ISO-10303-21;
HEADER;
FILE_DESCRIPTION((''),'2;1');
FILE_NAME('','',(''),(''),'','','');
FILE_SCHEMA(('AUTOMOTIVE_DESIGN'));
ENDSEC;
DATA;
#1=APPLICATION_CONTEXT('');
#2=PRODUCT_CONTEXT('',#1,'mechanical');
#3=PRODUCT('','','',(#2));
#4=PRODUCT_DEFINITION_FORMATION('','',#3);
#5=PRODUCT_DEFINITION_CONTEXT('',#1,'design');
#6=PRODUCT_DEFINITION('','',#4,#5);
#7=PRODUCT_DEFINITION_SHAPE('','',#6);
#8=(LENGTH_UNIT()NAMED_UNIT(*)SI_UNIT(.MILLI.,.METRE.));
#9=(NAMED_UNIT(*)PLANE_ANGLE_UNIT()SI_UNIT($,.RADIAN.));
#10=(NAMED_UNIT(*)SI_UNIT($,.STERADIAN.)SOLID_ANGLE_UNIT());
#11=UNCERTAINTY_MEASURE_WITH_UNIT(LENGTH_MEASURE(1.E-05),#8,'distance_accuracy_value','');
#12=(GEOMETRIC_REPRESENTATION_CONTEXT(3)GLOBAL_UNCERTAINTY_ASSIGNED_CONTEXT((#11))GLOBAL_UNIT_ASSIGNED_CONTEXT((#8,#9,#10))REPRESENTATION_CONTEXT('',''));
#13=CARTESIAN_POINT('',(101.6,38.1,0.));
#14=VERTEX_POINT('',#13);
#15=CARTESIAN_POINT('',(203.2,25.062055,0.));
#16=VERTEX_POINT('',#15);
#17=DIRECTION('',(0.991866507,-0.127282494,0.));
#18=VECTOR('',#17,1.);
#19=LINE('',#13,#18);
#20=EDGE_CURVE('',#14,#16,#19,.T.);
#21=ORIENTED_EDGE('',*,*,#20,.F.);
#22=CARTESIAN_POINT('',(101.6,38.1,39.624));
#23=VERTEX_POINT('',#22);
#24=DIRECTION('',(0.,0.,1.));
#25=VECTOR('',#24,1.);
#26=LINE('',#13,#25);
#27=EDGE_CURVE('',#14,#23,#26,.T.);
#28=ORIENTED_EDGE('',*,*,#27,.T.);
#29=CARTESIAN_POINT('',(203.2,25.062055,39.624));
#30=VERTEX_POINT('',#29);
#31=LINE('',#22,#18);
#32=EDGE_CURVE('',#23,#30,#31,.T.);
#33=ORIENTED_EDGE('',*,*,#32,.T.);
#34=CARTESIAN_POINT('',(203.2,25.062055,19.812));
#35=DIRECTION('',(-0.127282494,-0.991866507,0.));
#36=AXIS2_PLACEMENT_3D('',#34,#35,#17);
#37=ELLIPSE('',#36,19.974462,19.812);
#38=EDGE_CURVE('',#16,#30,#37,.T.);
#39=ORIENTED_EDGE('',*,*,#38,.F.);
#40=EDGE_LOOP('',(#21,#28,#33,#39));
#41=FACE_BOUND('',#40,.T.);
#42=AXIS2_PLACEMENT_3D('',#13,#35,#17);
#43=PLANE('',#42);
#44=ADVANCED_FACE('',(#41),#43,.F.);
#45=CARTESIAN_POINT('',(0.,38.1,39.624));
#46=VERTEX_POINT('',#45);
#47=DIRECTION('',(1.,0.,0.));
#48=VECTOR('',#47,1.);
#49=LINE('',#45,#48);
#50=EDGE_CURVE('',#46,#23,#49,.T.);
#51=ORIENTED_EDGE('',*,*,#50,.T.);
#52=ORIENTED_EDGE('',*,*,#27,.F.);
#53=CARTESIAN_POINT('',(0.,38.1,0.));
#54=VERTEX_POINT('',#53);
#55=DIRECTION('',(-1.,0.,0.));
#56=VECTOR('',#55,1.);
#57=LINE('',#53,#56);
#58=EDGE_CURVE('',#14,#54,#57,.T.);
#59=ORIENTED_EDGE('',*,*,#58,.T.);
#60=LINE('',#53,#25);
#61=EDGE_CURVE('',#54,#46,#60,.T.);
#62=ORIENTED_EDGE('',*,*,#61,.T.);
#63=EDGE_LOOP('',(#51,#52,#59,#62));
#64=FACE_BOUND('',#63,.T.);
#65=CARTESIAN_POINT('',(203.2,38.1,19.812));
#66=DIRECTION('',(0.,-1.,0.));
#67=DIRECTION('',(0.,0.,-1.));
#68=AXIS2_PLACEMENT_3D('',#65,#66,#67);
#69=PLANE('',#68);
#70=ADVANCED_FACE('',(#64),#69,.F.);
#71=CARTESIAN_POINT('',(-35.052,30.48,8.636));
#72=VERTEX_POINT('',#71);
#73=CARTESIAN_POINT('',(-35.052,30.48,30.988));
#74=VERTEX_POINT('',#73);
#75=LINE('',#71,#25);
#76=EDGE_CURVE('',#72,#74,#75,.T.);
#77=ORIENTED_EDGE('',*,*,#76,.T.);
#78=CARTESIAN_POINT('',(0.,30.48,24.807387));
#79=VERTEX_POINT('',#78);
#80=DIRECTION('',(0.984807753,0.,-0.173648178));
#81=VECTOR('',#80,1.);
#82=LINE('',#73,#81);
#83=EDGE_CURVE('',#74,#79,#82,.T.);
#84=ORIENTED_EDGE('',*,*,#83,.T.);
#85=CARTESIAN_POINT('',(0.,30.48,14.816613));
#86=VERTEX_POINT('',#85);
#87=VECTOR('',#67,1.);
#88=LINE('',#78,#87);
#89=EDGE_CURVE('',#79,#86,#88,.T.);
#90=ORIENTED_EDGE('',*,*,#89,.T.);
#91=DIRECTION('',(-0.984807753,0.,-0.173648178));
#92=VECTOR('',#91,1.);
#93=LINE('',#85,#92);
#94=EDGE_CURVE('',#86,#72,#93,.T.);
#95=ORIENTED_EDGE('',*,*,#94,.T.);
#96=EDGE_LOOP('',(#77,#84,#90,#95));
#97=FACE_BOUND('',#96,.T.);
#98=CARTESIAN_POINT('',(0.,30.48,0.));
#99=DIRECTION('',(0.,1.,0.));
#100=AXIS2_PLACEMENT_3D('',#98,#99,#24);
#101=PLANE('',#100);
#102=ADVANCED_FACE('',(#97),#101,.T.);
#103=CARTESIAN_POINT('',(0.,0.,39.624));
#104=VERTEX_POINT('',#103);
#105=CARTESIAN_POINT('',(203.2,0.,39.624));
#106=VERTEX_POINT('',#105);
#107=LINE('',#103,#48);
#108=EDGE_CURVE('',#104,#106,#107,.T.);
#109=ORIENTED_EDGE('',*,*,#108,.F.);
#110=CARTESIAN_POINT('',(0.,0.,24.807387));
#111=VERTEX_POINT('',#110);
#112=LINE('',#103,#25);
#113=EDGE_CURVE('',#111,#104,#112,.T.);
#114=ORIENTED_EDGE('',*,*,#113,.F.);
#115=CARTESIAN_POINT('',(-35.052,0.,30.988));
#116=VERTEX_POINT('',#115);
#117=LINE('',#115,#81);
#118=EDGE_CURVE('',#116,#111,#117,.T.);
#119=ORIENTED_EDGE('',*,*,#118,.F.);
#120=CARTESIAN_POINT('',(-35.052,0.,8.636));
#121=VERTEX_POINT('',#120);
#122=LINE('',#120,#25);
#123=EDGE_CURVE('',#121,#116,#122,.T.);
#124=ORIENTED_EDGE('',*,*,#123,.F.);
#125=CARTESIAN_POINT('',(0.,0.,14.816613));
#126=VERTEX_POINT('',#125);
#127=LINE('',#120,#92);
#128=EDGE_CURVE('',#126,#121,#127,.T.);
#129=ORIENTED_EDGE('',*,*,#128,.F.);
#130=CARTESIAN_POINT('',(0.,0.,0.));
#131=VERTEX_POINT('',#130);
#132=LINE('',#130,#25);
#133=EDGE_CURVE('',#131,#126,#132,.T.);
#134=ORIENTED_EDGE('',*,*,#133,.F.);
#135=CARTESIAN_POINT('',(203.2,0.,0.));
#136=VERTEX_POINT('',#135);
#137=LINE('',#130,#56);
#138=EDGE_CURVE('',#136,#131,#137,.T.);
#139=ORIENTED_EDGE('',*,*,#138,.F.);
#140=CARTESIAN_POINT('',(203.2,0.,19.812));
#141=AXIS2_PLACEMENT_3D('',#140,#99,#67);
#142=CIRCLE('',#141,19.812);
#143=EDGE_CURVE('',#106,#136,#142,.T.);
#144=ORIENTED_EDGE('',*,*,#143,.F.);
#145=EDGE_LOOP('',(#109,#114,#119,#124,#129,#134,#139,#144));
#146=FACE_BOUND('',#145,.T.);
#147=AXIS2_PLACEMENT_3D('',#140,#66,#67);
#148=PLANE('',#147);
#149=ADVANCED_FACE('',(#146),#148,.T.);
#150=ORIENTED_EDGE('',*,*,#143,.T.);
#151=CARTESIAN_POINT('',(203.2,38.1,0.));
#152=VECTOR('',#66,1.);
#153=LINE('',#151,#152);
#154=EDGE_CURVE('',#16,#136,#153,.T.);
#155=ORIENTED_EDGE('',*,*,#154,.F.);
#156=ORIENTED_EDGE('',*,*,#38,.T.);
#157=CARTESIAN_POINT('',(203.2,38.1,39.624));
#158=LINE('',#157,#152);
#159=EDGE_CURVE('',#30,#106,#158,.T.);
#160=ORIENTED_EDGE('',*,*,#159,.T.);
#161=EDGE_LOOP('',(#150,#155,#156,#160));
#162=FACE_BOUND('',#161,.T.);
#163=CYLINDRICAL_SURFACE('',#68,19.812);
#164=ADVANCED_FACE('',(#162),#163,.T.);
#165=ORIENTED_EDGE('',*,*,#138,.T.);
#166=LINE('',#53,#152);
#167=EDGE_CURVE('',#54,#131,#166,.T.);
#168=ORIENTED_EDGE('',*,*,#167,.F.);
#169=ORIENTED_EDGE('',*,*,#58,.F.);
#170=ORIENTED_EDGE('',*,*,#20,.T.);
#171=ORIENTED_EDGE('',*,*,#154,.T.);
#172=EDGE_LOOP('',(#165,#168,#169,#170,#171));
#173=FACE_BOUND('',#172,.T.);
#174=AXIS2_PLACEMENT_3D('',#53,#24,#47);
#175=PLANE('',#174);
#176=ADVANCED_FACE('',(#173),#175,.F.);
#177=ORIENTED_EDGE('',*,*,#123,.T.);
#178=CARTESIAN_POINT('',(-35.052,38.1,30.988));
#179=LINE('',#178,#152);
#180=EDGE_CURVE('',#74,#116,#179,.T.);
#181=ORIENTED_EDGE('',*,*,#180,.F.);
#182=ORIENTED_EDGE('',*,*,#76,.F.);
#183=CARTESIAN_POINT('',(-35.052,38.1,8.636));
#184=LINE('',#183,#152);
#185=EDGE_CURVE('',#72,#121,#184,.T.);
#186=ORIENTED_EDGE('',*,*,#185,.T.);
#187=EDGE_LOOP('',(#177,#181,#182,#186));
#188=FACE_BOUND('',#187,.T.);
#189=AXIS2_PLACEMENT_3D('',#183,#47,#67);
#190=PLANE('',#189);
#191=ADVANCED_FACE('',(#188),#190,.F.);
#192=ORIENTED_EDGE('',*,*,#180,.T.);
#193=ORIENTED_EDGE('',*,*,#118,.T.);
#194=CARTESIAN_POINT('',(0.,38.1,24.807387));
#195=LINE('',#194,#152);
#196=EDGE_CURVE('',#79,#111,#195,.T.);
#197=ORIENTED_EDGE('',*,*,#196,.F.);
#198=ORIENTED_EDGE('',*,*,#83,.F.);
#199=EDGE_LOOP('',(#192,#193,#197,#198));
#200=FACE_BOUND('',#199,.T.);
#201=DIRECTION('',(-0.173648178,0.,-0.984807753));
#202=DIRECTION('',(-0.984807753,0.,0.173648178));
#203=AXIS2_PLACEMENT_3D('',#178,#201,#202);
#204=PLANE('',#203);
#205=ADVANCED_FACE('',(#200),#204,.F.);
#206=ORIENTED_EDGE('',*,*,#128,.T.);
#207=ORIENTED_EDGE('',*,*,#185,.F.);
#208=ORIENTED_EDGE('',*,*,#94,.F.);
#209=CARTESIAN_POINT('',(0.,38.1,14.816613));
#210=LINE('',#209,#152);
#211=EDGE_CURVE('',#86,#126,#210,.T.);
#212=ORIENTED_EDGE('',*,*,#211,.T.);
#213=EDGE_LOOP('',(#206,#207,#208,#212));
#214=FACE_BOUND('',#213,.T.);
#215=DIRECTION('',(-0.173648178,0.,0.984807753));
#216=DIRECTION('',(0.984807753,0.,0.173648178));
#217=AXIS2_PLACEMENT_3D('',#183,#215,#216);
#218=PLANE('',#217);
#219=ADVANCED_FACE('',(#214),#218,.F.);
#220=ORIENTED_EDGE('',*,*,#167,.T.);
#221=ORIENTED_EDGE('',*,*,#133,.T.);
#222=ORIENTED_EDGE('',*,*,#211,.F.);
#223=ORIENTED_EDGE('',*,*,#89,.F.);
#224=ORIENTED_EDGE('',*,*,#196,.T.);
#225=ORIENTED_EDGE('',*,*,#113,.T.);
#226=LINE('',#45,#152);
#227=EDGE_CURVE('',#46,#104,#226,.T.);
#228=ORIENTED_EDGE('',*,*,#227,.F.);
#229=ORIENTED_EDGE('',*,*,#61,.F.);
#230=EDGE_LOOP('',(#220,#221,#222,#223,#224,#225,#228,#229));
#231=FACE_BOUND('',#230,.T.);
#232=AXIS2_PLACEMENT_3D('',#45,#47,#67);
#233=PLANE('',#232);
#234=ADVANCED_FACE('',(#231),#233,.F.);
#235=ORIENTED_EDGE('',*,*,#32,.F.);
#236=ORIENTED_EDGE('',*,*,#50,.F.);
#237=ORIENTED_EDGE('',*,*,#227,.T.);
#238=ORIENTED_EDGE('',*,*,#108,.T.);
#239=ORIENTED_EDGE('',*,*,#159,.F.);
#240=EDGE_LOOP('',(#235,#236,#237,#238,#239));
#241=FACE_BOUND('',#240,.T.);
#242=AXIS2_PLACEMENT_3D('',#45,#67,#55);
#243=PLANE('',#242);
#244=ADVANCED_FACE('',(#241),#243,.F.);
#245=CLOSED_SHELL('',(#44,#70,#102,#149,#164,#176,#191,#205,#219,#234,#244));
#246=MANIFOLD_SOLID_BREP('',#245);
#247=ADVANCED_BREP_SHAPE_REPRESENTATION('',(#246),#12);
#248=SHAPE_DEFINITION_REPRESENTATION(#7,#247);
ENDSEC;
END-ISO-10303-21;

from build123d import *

# Parameters (mm, degrees)
BOSS_EXTRUDE1_DEPTH = 38.1
CUT_EXTRUDE1_DEPTH  = 7.62
CUT_EXTRUDE4_DEPTH  = 39.624


with BuildPart() as part:
    # Sketch2 → Boss-Extrude1 (new body)
    with BuildSketch(Plane(origin=(0, 0, 0), x_dir=(1, 0, 0), z_dir=(0, 1, 0))):
        with BuildLine():
            Line((-35.052, -8.636), (-35.052, -30.988))
            Line((-35.052, -30.988), (0, -24.807386672))
            Line((0, -24.807386672), (0, -39.624))
            Line((0, -39.624), (203.2, -39.624))
            ThreePointArc((203.2, -39.624), (223.012, -19.812), (203.2, 0))
            Line((203.2, 0), (0, 0))
            Line((0, 0), (0, -14.816613328))
            Line((0, -14.816613328), (-35.052, -8.636))
        make_face()
    extrude(amount=BOSS_EXTRUDE1_DEPTH)

    # Sketch3 → Cut-Extrude1 (cut)
    with BuildSketch(Plane(origin=(0, 38.1, 0), x_dir=(1, 0, 0), z_dir=(0, 1, 0))):
        Polygon((-35.052, -8.636), (-35.052, -30.988), (0, -24.807386672), (0, -14.816613328), align=None)
    extrude(amount=-CUT_EXTRUDE1_DEPTH, mode=Mode.SUBTRACT)

    # Sketch5 → Cut-Extrude4 (cut)
    with BuildSketch(Plane.XY.offset(39.624)):
        Polygon((101.6, 38.1), (223.012, 22.519655205), (223.012, 38.1), align=None)
    extrude(amount=-CUT_EXTRUDE4_DEPTH, mode=Mode.SUBTRACT)


solid = part.part
